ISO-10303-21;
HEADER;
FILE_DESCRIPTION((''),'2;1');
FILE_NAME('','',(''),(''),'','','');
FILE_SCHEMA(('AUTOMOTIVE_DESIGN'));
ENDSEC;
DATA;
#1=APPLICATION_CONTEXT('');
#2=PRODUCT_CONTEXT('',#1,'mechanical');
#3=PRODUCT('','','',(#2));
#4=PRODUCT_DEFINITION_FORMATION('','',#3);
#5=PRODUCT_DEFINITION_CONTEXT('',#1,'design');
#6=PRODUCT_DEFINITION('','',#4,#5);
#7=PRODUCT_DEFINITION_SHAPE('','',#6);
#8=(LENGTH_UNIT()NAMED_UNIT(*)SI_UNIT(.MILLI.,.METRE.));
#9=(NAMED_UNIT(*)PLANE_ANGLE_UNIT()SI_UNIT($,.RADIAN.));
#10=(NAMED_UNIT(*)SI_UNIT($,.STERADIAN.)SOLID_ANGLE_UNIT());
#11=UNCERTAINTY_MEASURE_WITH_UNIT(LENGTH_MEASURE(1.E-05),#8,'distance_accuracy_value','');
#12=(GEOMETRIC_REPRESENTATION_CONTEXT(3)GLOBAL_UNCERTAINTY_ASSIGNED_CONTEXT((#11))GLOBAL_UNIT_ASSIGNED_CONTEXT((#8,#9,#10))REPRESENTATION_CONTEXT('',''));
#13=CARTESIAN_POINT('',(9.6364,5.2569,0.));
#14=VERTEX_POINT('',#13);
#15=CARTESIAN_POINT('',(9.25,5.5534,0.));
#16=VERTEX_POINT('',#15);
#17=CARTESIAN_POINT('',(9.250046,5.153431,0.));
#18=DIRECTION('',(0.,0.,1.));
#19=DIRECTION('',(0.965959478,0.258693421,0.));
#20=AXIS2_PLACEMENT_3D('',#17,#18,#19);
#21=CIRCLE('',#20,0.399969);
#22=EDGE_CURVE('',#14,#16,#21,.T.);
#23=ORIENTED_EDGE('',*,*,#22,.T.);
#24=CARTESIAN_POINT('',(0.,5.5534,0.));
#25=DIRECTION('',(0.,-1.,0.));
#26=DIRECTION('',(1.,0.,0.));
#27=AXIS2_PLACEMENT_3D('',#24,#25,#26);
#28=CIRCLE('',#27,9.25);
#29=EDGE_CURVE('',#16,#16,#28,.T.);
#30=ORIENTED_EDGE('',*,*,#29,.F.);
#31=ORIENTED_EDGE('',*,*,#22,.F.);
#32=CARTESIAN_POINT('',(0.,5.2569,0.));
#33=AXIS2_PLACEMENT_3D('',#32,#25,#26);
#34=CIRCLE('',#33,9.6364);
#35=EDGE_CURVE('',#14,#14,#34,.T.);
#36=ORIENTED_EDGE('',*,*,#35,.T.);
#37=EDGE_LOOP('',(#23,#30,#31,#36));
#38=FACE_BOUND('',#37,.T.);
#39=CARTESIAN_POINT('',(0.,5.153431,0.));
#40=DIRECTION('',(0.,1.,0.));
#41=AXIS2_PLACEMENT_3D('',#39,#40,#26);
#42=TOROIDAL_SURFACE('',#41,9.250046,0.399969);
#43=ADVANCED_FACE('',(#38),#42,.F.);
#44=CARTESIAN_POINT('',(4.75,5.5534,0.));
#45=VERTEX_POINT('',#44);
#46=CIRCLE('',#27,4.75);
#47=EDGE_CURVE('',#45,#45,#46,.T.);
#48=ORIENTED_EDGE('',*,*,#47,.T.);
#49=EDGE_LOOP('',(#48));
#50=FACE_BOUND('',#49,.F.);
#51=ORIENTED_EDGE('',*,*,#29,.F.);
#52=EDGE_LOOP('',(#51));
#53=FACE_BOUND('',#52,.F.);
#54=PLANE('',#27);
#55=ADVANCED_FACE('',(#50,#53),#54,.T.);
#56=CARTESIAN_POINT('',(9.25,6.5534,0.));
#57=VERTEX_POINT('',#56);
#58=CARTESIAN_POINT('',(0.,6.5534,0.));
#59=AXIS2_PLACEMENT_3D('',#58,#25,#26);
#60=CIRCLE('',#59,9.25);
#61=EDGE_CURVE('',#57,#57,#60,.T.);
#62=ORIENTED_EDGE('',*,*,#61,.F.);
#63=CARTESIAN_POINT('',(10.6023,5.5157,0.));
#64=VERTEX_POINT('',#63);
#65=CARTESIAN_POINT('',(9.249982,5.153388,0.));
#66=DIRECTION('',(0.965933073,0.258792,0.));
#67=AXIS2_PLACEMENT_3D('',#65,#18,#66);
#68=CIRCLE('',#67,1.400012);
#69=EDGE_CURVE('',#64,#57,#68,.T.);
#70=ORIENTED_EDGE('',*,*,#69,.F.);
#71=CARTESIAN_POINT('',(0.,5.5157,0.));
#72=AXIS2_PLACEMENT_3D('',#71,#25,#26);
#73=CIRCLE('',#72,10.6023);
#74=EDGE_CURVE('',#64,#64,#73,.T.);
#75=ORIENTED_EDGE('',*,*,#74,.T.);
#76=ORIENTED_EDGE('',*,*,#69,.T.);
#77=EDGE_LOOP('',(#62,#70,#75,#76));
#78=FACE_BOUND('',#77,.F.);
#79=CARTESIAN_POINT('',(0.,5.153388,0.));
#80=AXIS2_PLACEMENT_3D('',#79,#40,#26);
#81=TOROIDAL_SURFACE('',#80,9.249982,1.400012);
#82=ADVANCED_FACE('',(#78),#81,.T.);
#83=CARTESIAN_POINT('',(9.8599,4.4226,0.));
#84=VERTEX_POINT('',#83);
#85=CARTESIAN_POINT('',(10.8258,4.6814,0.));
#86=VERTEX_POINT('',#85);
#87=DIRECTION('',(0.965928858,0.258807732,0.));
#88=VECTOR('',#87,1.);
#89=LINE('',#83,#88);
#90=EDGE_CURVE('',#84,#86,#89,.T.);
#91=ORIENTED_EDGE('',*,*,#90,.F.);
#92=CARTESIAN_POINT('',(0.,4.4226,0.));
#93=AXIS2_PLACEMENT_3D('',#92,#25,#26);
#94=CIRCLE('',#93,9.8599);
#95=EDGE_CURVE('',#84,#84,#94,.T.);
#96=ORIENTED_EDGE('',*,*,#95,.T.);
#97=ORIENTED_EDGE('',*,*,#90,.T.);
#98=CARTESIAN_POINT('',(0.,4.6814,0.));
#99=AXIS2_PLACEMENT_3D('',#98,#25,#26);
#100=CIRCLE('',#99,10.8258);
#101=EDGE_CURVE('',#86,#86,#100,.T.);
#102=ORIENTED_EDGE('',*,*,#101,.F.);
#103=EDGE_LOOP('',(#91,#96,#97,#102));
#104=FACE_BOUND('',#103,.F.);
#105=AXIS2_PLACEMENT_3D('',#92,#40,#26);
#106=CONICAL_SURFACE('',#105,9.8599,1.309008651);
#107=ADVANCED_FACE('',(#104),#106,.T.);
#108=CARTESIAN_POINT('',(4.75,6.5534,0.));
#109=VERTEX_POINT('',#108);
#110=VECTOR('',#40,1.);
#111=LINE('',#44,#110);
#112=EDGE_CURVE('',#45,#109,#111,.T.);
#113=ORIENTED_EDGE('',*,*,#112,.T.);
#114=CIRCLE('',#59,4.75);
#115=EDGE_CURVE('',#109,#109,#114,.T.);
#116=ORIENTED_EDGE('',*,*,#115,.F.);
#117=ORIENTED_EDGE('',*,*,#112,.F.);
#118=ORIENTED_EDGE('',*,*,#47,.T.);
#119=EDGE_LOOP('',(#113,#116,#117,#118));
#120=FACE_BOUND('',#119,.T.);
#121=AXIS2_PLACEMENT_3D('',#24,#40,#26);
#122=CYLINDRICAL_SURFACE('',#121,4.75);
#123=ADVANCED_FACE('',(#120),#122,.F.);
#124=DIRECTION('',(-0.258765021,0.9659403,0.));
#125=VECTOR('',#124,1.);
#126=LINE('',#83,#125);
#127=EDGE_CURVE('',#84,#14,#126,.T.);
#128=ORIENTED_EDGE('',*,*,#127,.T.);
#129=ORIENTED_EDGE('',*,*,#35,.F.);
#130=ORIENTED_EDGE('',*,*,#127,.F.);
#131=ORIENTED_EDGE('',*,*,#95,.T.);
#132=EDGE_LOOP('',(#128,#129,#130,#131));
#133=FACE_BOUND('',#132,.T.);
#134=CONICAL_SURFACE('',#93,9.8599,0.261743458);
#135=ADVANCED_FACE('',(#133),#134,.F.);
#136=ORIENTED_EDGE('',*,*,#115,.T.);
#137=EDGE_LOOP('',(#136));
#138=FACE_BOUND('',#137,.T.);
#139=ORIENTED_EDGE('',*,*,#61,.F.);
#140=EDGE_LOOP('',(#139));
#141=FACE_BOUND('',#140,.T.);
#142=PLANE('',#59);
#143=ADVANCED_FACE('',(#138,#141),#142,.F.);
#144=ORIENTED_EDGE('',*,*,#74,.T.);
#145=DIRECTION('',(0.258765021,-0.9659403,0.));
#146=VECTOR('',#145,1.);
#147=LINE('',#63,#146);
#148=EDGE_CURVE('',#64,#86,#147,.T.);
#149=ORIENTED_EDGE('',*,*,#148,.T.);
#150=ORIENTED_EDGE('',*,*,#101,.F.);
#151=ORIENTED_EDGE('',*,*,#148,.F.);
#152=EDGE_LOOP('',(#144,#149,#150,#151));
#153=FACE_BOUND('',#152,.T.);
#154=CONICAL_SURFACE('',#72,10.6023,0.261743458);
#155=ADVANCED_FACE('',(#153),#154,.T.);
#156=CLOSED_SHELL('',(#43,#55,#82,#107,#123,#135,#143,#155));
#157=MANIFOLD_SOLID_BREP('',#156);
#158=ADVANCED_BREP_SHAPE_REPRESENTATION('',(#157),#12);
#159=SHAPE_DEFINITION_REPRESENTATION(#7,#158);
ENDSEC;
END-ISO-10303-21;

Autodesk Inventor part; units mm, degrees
ref_plane "YZ Plane" through (0, 0, 0) normal (1, 0, 0) x (0, 1, 0)
ref_plane "XZ Plane" through (0, 0, 0) normal (0, 1, 0) x (-1, 0, 0)
ref_plane "XY Plane" through (0, 0, 0) normal (0, 0, 1) x (1, 0, 0)
sketch "Schizzo1" plane through (0, 0, 0) normal (0, 0, 1) x (1, 0, 0)
  line L0 (4.75, 6.5534) -> (9.25, 6.5534)
  arc A0 (10.6023, 5.5157) -> (9.25, 6.5534) centre (9.25, 5.1534) ccw
  line L1 (4.75, 5.5534) -> (9.25, 5.5534)
  line L2 (4.75, 5.5534) -> (4.75, 6.5534)
  line L3 (0, 6.5534) -> (0, 3.993) construction
  arc A1 (9.6364, 5.2569) -> (9.25, 5.5534) centre (9.25, 5.1534) ccw
  line L4 (9.8599, 4.4226) -> (10.8258, 4.6814)
  line L5 (10.6023, 5.5157) -> (10.8258, 4.6814)
  line L6 (9.8599, 4.4226) -> (9.6364, 5.2569)
  point P0 (0, 0)
  dimension "d1" = 4.5
  dimension "d2" = 1
  dimension "d8" = 4.75
  dimension "d10" = 0.4
  dimension "d11" = 9.25
revolve "Rivoluzione1" add sketch "Schizzo1" angle 360 about axis through (0, 6.5534, 0) along (0, -1, 0)
properties part number "Rondella superiore"
